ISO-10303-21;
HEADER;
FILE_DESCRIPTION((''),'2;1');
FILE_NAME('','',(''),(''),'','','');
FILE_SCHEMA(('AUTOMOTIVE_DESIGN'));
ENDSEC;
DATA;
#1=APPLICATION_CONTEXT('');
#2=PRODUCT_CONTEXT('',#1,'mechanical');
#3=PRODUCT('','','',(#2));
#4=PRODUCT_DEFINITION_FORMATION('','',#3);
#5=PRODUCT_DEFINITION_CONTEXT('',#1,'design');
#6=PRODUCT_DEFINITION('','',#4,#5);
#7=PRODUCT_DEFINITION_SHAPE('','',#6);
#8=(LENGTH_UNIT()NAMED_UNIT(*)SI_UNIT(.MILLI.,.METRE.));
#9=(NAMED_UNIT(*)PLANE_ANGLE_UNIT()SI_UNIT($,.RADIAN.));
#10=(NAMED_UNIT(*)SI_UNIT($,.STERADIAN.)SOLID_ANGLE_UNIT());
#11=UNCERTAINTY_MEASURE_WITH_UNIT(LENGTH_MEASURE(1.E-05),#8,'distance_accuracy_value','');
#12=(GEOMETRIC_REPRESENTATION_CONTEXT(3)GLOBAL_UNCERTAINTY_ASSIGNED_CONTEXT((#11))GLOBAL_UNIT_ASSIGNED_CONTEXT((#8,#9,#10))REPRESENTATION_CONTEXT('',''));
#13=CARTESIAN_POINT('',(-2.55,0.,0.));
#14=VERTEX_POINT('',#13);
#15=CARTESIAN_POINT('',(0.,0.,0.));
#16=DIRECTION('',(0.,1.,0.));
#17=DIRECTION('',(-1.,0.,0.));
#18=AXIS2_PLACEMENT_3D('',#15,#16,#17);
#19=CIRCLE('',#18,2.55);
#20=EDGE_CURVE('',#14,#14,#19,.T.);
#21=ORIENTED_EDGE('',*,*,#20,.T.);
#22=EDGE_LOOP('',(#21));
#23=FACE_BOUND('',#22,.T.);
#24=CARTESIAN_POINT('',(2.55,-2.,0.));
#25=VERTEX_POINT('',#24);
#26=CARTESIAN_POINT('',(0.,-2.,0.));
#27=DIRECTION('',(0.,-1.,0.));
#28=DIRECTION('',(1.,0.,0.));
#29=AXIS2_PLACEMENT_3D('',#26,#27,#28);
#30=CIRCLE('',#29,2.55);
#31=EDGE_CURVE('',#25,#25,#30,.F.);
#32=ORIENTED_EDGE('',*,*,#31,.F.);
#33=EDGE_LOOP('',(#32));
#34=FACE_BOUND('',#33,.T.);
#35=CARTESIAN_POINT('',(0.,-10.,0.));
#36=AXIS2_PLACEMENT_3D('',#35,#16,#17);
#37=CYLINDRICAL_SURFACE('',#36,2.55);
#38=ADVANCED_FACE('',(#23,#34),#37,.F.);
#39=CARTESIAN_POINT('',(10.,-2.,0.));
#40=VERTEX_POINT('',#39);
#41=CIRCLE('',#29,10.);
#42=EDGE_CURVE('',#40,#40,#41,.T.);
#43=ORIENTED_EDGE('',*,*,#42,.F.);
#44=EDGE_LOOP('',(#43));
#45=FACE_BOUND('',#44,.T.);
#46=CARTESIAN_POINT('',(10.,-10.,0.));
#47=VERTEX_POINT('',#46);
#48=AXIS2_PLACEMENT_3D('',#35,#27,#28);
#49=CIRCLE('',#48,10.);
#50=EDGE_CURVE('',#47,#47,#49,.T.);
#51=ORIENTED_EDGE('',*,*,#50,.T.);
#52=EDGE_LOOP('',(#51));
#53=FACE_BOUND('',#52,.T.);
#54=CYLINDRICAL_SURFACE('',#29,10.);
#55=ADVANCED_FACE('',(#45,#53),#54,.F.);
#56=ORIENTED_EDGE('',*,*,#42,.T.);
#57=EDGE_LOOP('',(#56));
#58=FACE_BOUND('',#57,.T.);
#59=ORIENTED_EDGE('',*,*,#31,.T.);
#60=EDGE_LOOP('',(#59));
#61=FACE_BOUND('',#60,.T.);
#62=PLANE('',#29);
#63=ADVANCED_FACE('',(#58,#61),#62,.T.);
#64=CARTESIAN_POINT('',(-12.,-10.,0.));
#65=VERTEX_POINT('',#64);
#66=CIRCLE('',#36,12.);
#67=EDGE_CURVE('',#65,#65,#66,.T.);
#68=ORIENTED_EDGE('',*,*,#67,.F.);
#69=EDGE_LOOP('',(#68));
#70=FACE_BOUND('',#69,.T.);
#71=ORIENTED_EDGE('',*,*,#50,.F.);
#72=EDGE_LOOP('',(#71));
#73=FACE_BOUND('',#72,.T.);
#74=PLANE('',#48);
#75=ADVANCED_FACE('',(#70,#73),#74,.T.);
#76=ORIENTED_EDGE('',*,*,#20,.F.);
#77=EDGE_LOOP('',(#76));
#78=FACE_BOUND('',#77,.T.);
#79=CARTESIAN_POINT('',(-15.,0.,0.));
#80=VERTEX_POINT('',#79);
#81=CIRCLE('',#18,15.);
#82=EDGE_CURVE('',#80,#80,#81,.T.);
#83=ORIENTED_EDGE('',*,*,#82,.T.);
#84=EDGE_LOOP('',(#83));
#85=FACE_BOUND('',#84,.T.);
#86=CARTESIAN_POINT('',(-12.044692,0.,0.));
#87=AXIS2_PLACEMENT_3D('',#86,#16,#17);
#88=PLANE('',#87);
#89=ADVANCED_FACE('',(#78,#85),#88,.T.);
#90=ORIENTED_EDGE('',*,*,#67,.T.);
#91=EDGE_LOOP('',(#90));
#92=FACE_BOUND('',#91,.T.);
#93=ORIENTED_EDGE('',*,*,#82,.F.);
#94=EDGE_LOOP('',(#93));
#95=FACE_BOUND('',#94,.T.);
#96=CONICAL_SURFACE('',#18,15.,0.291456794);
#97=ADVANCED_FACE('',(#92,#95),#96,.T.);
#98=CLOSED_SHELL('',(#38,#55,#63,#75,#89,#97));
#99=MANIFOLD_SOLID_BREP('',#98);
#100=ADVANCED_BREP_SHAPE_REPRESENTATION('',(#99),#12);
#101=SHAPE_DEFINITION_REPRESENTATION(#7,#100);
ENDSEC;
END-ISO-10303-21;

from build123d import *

# Parameters (mm, degrees)
CROQUIS2_R            = 2.55
CORTAR_EXTRUIR1_DEPTH = 10
CROQUIS3_R            = 10
CORTAR_EXTRUIR2_DEPTH = 8


with BuildPart() as part:
    # Croquis1 → Revolución1 (revolve)
    with BuildSketch(Plane.XY):
        Polygon((-12.044691582, 0), (-15, 0), (-12, -10), (0, -10), (0, 0), align=None)
    revolve(axis=Axis((0, 0, 0), (0, -1, 0)))

    # Croquis2 → Cortar-Extruir1 (cut)
    with BuildSketch(Plane(origin=(0, 0, 0), x_dir=(1, 0, 0), z_dir=(0, 1, 0))):
        Circle(CROQUIS2_R)
    extrude(amount=-CORTAR_EXTRUIR1_DEPTH, mode=Mode.SUBTRACT)

    # Croquis3 → Cortar-Extruir2 (cut)
    with BuildSketch(Plane(origin=(0, -10, 0), x_dir=(-1, 0, 0), z_dir=(0, -1, 0))):
        Circle(CROQUIS3_R)
    extrude(amount=-CORTAR_EXTRUIR2_DEPTH, mode=Mode.SUBTRACT)


solid = part.part
